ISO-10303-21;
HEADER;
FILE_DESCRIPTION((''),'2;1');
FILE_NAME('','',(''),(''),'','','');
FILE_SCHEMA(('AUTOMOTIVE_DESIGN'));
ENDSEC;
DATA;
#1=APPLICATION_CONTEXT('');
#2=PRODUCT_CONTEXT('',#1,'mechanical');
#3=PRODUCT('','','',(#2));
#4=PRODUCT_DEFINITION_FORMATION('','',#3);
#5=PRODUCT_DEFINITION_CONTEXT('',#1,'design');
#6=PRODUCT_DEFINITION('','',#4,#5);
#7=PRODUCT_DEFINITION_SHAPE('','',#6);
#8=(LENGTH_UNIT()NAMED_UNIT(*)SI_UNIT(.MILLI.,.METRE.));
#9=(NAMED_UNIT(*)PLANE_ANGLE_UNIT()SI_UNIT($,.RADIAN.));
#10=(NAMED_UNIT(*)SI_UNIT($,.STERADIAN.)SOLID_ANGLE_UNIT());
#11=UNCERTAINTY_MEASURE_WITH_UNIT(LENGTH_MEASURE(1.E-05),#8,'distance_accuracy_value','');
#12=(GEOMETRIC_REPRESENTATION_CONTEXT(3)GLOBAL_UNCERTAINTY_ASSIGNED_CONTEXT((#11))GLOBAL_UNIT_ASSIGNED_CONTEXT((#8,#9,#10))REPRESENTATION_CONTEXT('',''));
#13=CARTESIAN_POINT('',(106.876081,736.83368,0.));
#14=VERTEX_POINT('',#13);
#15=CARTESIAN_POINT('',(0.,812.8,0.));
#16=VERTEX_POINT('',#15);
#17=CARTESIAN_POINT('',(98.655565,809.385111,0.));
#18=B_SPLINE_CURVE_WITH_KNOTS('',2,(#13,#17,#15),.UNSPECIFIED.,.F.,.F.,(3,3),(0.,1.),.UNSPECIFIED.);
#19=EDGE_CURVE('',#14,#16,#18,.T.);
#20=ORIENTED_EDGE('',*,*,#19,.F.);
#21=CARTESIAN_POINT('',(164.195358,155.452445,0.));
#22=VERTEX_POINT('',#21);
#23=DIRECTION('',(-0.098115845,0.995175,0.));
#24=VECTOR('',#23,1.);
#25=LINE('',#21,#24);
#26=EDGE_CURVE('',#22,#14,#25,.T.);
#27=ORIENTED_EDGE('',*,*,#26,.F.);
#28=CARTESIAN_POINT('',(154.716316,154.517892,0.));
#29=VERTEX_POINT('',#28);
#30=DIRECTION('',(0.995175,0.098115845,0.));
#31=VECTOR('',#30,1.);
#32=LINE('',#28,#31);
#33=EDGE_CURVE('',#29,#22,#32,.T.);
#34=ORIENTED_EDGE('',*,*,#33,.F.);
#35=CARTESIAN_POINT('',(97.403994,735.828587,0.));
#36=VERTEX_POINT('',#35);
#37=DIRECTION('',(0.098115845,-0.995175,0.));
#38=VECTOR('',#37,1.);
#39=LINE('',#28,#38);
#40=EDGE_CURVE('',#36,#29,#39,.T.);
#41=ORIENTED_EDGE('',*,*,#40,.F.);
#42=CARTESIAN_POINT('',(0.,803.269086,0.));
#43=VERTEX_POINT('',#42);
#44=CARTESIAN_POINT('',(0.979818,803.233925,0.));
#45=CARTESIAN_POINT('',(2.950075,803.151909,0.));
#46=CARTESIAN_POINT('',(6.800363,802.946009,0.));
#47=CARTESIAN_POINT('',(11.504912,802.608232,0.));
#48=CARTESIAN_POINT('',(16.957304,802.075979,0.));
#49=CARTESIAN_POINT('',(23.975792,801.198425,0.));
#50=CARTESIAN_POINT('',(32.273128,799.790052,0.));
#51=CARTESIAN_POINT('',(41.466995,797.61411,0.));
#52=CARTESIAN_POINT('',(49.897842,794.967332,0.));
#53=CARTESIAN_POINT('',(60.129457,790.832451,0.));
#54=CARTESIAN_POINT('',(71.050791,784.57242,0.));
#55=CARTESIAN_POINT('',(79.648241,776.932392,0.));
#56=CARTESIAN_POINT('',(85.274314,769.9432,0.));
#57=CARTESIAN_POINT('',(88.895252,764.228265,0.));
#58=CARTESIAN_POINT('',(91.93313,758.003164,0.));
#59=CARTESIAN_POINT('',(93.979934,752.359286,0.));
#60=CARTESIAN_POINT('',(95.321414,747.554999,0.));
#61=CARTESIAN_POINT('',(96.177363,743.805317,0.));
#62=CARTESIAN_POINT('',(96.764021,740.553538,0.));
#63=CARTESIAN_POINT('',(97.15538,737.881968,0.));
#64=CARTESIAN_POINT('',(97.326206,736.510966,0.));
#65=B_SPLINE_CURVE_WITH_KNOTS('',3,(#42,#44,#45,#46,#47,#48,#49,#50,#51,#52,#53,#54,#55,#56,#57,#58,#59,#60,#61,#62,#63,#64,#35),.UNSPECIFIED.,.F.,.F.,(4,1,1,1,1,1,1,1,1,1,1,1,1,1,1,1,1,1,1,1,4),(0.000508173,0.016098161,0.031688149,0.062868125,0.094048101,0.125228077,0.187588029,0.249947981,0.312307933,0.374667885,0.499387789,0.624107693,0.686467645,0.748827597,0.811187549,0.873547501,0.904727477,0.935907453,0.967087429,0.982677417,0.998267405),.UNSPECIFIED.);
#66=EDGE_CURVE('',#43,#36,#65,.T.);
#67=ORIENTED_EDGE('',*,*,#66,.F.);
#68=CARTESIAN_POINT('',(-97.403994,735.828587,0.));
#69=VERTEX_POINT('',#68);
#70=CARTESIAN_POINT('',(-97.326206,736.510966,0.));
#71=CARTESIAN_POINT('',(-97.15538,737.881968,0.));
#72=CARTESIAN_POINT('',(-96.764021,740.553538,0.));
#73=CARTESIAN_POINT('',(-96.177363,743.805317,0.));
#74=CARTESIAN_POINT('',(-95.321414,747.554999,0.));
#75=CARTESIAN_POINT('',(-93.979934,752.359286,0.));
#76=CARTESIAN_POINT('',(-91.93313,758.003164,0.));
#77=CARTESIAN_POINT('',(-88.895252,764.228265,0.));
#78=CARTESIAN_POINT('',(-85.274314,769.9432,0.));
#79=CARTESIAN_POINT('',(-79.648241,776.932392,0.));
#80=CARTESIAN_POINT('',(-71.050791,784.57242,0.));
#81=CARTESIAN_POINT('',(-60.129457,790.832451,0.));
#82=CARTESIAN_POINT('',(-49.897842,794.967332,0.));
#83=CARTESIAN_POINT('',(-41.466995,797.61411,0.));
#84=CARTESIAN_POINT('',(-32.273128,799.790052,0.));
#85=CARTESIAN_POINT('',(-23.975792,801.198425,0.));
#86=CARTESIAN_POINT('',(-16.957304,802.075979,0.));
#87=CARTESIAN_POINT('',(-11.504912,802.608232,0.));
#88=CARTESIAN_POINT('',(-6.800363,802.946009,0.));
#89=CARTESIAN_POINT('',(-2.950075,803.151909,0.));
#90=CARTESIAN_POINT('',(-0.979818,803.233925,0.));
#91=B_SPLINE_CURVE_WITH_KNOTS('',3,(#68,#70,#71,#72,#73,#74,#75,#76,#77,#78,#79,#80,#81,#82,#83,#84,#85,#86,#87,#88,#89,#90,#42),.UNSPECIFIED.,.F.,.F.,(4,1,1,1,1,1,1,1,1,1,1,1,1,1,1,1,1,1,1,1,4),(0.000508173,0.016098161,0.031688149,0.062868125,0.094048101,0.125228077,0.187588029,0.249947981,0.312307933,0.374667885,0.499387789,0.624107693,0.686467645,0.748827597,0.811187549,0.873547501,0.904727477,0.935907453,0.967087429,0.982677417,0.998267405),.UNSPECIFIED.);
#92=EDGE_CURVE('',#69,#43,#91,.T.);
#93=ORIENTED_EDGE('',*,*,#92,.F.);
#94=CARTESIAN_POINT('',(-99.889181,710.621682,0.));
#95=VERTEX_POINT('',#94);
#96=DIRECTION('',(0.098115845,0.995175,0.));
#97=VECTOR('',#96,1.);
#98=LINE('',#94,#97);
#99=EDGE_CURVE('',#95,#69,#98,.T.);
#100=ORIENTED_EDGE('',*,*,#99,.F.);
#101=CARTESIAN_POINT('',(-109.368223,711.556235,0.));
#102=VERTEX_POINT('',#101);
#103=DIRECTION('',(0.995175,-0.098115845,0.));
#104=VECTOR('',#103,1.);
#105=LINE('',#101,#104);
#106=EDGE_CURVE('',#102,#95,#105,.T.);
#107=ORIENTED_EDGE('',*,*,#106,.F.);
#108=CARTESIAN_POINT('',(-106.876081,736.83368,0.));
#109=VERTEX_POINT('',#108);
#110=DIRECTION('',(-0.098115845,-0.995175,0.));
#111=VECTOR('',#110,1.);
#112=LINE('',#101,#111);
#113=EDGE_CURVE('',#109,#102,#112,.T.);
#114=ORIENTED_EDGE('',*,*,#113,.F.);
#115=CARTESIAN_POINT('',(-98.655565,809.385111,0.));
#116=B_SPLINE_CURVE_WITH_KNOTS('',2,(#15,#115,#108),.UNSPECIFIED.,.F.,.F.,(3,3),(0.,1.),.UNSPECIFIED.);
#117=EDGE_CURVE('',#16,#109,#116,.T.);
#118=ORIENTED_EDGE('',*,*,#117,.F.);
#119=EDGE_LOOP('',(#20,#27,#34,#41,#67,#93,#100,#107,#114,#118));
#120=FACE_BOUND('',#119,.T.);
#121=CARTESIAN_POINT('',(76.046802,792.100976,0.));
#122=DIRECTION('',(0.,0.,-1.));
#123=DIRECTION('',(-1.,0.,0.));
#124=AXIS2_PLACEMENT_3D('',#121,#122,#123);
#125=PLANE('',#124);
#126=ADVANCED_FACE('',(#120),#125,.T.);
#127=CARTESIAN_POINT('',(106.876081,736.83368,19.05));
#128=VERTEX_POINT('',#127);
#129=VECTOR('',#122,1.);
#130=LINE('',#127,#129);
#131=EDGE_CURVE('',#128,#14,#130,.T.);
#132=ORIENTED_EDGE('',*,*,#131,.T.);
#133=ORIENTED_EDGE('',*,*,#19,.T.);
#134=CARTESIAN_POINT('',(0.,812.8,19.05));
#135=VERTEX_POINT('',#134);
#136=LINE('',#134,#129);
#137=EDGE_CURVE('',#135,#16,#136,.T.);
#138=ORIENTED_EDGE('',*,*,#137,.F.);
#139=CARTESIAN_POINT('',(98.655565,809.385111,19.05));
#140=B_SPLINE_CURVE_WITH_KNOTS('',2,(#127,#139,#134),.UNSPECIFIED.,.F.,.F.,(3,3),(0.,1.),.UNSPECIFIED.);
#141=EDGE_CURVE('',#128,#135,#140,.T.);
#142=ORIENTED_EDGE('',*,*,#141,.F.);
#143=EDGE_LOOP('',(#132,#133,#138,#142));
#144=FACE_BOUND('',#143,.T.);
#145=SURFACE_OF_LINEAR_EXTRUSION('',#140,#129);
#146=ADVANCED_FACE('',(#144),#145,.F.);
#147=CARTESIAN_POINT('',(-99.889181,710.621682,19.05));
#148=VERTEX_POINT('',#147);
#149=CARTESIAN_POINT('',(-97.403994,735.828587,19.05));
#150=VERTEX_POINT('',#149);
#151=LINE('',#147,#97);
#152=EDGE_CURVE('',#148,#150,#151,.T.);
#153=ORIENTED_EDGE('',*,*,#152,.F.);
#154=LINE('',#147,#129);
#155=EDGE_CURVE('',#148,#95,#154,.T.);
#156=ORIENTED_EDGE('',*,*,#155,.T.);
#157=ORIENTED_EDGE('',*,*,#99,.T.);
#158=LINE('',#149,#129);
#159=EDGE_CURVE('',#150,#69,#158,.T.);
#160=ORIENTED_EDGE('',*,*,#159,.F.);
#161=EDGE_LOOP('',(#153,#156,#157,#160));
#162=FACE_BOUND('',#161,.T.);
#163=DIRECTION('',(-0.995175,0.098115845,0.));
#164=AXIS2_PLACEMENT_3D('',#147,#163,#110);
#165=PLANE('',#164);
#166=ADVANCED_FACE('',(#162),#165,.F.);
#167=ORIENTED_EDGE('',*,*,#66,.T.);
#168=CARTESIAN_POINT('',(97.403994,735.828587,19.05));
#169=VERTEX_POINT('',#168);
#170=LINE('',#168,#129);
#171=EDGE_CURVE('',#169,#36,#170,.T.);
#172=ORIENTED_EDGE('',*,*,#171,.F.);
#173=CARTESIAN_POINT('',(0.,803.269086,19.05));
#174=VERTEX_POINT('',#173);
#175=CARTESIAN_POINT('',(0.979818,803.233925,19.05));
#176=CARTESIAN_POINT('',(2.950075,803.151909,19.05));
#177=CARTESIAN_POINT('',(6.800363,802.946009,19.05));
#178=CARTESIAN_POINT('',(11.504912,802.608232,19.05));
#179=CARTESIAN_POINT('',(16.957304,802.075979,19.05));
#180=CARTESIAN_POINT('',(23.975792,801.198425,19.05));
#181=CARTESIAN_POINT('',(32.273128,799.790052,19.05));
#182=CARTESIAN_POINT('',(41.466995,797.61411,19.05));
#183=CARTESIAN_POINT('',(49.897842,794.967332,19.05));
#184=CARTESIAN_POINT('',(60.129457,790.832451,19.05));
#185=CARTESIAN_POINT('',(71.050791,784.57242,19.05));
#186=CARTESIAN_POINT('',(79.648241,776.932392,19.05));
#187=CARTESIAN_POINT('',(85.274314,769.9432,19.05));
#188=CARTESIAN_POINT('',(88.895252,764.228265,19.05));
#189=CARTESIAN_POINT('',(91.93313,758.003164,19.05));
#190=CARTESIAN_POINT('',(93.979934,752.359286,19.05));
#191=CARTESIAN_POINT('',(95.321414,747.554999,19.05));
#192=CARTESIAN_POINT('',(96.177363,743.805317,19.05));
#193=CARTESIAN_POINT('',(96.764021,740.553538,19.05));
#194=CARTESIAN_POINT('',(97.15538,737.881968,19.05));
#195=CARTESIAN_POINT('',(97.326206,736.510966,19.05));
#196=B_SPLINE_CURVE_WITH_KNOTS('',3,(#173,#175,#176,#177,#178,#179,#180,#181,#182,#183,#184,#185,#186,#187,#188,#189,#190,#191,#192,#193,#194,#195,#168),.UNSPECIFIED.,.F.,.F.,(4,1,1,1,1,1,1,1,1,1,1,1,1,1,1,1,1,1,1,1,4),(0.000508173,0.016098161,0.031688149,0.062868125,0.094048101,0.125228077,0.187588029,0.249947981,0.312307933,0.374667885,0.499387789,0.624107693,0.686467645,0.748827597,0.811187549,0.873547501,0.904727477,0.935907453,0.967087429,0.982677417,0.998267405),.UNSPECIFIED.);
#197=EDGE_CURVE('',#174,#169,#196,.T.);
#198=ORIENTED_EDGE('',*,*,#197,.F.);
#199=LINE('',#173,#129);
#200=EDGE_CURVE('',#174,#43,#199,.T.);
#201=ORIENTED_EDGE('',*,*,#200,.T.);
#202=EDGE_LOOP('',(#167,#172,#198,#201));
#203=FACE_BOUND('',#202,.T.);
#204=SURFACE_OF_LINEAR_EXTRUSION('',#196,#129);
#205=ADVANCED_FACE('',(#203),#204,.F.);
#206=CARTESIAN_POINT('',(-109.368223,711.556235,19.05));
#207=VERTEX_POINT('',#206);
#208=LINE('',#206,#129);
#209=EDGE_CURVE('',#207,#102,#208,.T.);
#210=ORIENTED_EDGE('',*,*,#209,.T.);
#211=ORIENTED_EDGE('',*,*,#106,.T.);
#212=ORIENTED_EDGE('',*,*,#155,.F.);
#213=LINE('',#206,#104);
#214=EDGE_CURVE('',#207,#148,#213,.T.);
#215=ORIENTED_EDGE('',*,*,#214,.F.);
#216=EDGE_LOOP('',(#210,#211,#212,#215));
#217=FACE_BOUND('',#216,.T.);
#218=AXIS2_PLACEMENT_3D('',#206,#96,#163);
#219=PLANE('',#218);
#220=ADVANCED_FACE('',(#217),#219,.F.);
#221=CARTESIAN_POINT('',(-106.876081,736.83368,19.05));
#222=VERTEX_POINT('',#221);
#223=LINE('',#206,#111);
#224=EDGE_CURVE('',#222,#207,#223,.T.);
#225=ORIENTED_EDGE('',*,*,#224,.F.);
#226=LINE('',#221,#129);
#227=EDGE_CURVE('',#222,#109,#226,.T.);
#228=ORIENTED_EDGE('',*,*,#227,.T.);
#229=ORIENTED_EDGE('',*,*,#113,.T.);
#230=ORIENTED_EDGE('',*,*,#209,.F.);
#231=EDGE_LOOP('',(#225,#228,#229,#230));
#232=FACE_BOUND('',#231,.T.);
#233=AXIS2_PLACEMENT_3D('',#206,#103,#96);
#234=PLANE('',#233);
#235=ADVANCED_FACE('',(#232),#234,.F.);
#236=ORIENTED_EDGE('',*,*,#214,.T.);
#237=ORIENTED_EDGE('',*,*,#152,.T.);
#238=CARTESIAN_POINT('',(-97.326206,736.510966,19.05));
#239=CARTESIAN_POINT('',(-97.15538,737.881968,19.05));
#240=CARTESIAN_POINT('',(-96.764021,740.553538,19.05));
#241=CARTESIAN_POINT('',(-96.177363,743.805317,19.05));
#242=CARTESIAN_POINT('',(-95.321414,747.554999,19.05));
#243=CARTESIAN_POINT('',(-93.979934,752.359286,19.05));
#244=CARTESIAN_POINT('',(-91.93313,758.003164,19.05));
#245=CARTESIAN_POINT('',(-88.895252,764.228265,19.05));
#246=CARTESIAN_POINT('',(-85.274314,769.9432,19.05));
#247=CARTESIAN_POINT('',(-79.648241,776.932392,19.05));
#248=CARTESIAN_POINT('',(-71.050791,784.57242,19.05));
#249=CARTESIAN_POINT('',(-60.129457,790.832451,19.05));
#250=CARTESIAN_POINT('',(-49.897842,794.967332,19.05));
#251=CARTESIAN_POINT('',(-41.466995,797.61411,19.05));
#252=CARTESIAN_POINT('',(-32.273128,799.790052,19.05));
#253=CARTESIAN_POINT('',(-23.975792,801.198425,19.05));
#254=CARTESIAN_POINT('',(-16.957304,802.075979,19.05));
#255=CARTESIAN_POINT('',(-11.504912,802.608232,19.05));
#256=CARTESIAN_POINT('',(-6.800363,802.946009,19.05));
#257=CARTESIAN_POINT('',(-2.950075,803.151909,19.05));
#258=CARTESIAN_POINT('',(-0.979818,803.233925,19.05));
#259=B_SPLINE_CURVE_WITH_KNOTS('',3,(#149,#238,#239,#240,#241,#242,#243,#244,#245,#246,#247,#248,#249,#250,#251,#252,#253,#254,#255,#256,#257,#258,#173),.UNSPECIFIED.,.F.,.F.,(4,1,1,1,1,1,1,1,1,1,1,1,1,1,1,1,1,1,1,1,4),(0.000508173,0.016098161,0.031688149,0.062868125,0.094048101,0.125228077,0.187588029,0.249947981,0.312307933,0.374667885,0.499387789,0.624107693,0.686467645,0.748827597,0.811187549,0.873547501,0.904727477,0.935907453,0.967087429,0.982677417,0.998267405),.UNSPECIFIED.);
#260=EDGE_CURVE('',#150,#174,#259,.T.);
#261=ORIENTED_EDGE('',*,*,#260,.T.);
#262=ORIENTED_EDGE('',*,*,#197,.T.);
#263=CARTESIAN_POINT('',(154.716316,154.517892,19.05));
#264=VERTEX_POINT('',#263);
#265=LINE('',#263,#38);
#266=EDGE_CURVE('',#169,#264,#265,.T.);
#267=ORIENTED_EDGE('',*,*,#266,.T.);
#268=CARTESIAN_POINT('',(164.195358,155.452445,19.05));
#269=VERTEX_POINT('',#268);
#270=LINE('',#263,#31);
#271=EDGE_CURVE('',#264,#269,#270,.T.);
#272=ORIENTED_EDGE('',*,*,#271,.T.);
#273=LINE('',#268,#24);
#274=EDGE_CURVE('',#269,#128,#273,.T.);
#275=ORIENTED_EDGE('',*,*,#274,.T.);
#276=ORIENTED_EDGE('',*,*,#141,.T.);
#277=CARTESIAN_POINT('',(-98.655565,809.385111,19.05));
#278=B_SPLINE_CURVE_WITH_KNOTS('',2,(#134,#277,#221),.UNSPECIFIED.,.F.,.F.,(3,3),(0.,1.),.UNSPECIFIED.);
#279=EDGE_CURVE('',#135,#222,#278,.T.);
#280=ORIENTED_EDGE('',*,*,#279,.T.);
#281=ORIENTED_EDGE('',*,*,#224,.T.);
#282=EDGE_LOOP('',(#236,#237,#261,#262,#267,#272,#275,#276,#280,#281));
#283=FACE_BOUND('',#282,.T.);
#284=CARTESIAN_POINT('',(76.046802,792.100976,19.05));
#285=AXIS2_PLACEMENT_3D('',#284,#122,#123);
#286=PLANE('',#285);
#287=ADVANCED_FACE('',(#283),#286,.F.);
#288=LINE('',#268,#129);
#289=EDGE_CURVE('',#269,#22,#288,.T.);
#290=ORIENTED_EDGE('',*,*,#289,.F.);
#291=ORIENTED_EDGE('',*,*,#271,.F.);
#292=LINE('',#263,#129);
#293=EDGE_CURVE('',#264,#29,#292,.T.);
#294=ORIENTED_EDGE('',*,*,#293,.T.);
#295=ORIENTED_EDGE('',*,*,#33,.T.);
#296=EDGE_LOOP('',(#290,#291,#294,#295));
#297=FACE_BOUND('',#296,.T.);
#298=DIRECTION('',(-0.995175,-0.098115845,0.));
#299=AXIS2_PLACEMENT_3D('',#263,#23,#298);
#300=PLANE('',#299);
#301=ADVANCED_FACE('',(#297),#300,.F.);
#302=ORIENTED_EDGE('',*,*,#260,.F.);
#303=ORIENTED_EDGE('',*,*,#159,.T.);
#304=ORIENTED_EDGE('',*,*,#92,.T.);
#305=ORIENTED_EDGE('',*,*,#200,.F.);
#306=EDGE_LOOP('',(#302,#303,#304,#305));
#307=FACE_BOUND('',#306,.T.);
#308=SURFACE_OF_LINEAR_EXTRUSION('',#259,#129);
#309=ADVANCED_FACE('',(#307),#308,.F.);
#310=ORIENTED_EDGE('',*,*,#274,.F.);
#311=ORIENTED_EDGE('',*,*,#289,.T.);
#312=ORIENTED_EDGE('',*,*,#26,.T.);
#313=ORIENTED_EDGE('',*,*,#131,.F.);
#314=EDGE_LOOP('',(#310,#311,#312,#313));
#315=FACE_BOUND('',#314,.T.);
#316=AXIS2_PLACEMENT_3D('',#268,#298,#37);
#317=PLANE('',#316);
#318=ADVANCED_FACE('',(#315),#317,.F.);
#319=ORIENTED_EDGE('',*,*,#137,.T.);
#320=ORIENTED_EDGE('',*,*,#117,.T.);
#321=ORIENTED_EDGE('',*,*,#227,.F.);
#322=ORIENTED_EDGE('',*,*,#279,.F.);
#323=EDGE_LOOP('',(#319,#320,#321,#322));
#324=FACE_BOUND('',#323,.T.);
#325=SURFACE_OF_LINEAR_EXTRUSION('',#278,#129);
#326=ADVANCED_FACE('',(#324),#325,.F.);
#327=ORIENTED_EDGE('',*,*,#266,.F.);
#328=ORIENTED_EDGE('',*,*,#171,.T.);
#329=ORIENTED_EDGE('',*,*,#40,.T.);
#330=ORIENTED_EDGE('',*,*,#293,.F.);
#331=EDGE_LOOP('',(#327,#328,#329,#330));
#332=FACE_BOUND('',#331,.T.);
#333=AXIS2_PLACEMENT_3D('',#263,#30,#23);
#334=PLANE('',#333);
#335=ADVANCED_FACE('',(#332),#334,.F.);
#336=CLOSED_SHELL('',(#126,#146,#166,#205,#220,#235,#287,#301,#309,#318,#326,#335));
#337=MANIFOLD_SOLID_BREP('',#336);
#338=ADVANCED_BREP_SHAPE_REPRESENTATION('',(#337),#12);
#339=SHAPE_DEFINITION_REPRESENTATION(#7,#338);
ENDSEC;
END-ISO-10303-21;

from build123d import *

# Parameters (mm, degrees)
BOSS_EXTRUDE1_DEPTH = 19.05


with BuildPart() as part:
    # Sketch1 → Boss-Extrude1 (new body)
    with BuildSketch(Plane.XY):
        with BuildLine():
            Line((154.716315659, 154.51789158), (97.403993572, 735.828587024))
            add(Edge.make_bspline(
                [(0, 803.26908628), (0.979817658, 803.233925105), (2.950075123, 803.151909058), (6.800362849, 802.946009068), (11.504912112, 802.608232022), (16.957304332, 802.075979486), (23.975792063, 801.198424891), (32.273128008, 799.790052384), (41.46699497, 797.614109593), (49.89784204, 794.967332344), (60.129456963, 790.832450746), (71.050790712, 784.572420078), (79.648241417, 776.932392043), (85.274313562, 769.943199813), (88.89525226, 764.228265264), (91.933130485, 758.00316425), (93.979934001, 752.359286407), (95.321414001, 747.554999291), (96.177362738, 743.805316844), (96.764020616, 740.553537606), (97.155379667, 737.881968465), (97.326205951, 736.51096636), (97.403993572, 735.828587024)],
                knots=[0.000508173, 0.000508173, 0.000508173, 0.000508173, 0.016098161, 0.031688149, 0.062868125, 0.094048101, 0.125228077, 0.187588029, 0.249947981, 0.312307933, 0.374667885, 0.499387789, 0.624107693, 0.686467645, 0.748827597, 0.811187549, 0.873547501, 0.904727477, 0.935907453, 0.967087429, 0.982677417, 0.998267405, 0.998267405, 0.998267405, 0.998267405], degree=3))
            add(Edge.make_bspline(
                [(-97.403993572, 735.828587024), (-97.326205951, 736.51096636), (-97.155379667, 737.881968465), (-96.764020616, 740.553537606), (-96.177362738, 743.805316844), (-95.321414001, 747.554999291), (-93.979934001, 752.359286407), (-91.933130485, 758.00316425), (-88.89525226, 764.228265264), (-85.274313562, 769.943199813), (-79.648241417, 776.932392043), (-71.050790712, 784.572420078), (-60.129456963, 790.832450746), (-49.89784204, 794.967332344), (-41.46699497, 797.614109593), (-32.273128008, 799.790052384), (-23.975792063, 801.198424891), (-16.957304332, 802.075979486), (-11.504912112, 802.608232022), (-6.800362849, 802.946009068), (-2.950075123, 803.151909058), (-0.979817658, 803.233925105), (0, 803.26908628)],
                knots=[0.000508173, 0.000508173, 0.000508173, 0.000508173, 0.016098161, 0.031688149, 0.062868125, 0.094048101, 0.125228077, 0.187588029, 0.249947981, 0.312307933, 0.374667885, 0.499387789, 0.624107693, 0.686467645, 0.748827597, 0.811187549, 0.873547501, 0.904727477, 0.935907453, 0.967087429, 0.982677417, 0.998267405, 0.998267405, 0.998267405, 0.998267405], degree=3))
            Line((-97.403993572, 735.828587024), (-99.889181424, 710.621681669))
            Line((-99.889181424, 710.621681669), (-109.368223301, 711.556235093))
            Line((-109.368223301, 711.556235093), (-106.876080835, 736.833680097))
            add(Edge.make_bspline(
                [(-106.876080835, 736.833680097), (-98.655564568, 809.385111394), (0, 812.8)],
                knots=[0, 0, 0, 1, 1, 1], degree=2))
            add(Edge.make_bspline(
                [(106.876080835, 736.833680097), (98.655564568, 809.385111394), (0, 812.8)],
                knots=[0, 0, 0, 1, 1, 1], degree=2))
            Line((106.876080835, 736.833680097), (164.195357535, 155.452445004))
            Line((164.195357535, 155.452445004), (154.716315659, 154.51789158))
        make_face()
    extrude(amount=BOSS_EXTRUDE1_DEPTH)


solid = part.part
